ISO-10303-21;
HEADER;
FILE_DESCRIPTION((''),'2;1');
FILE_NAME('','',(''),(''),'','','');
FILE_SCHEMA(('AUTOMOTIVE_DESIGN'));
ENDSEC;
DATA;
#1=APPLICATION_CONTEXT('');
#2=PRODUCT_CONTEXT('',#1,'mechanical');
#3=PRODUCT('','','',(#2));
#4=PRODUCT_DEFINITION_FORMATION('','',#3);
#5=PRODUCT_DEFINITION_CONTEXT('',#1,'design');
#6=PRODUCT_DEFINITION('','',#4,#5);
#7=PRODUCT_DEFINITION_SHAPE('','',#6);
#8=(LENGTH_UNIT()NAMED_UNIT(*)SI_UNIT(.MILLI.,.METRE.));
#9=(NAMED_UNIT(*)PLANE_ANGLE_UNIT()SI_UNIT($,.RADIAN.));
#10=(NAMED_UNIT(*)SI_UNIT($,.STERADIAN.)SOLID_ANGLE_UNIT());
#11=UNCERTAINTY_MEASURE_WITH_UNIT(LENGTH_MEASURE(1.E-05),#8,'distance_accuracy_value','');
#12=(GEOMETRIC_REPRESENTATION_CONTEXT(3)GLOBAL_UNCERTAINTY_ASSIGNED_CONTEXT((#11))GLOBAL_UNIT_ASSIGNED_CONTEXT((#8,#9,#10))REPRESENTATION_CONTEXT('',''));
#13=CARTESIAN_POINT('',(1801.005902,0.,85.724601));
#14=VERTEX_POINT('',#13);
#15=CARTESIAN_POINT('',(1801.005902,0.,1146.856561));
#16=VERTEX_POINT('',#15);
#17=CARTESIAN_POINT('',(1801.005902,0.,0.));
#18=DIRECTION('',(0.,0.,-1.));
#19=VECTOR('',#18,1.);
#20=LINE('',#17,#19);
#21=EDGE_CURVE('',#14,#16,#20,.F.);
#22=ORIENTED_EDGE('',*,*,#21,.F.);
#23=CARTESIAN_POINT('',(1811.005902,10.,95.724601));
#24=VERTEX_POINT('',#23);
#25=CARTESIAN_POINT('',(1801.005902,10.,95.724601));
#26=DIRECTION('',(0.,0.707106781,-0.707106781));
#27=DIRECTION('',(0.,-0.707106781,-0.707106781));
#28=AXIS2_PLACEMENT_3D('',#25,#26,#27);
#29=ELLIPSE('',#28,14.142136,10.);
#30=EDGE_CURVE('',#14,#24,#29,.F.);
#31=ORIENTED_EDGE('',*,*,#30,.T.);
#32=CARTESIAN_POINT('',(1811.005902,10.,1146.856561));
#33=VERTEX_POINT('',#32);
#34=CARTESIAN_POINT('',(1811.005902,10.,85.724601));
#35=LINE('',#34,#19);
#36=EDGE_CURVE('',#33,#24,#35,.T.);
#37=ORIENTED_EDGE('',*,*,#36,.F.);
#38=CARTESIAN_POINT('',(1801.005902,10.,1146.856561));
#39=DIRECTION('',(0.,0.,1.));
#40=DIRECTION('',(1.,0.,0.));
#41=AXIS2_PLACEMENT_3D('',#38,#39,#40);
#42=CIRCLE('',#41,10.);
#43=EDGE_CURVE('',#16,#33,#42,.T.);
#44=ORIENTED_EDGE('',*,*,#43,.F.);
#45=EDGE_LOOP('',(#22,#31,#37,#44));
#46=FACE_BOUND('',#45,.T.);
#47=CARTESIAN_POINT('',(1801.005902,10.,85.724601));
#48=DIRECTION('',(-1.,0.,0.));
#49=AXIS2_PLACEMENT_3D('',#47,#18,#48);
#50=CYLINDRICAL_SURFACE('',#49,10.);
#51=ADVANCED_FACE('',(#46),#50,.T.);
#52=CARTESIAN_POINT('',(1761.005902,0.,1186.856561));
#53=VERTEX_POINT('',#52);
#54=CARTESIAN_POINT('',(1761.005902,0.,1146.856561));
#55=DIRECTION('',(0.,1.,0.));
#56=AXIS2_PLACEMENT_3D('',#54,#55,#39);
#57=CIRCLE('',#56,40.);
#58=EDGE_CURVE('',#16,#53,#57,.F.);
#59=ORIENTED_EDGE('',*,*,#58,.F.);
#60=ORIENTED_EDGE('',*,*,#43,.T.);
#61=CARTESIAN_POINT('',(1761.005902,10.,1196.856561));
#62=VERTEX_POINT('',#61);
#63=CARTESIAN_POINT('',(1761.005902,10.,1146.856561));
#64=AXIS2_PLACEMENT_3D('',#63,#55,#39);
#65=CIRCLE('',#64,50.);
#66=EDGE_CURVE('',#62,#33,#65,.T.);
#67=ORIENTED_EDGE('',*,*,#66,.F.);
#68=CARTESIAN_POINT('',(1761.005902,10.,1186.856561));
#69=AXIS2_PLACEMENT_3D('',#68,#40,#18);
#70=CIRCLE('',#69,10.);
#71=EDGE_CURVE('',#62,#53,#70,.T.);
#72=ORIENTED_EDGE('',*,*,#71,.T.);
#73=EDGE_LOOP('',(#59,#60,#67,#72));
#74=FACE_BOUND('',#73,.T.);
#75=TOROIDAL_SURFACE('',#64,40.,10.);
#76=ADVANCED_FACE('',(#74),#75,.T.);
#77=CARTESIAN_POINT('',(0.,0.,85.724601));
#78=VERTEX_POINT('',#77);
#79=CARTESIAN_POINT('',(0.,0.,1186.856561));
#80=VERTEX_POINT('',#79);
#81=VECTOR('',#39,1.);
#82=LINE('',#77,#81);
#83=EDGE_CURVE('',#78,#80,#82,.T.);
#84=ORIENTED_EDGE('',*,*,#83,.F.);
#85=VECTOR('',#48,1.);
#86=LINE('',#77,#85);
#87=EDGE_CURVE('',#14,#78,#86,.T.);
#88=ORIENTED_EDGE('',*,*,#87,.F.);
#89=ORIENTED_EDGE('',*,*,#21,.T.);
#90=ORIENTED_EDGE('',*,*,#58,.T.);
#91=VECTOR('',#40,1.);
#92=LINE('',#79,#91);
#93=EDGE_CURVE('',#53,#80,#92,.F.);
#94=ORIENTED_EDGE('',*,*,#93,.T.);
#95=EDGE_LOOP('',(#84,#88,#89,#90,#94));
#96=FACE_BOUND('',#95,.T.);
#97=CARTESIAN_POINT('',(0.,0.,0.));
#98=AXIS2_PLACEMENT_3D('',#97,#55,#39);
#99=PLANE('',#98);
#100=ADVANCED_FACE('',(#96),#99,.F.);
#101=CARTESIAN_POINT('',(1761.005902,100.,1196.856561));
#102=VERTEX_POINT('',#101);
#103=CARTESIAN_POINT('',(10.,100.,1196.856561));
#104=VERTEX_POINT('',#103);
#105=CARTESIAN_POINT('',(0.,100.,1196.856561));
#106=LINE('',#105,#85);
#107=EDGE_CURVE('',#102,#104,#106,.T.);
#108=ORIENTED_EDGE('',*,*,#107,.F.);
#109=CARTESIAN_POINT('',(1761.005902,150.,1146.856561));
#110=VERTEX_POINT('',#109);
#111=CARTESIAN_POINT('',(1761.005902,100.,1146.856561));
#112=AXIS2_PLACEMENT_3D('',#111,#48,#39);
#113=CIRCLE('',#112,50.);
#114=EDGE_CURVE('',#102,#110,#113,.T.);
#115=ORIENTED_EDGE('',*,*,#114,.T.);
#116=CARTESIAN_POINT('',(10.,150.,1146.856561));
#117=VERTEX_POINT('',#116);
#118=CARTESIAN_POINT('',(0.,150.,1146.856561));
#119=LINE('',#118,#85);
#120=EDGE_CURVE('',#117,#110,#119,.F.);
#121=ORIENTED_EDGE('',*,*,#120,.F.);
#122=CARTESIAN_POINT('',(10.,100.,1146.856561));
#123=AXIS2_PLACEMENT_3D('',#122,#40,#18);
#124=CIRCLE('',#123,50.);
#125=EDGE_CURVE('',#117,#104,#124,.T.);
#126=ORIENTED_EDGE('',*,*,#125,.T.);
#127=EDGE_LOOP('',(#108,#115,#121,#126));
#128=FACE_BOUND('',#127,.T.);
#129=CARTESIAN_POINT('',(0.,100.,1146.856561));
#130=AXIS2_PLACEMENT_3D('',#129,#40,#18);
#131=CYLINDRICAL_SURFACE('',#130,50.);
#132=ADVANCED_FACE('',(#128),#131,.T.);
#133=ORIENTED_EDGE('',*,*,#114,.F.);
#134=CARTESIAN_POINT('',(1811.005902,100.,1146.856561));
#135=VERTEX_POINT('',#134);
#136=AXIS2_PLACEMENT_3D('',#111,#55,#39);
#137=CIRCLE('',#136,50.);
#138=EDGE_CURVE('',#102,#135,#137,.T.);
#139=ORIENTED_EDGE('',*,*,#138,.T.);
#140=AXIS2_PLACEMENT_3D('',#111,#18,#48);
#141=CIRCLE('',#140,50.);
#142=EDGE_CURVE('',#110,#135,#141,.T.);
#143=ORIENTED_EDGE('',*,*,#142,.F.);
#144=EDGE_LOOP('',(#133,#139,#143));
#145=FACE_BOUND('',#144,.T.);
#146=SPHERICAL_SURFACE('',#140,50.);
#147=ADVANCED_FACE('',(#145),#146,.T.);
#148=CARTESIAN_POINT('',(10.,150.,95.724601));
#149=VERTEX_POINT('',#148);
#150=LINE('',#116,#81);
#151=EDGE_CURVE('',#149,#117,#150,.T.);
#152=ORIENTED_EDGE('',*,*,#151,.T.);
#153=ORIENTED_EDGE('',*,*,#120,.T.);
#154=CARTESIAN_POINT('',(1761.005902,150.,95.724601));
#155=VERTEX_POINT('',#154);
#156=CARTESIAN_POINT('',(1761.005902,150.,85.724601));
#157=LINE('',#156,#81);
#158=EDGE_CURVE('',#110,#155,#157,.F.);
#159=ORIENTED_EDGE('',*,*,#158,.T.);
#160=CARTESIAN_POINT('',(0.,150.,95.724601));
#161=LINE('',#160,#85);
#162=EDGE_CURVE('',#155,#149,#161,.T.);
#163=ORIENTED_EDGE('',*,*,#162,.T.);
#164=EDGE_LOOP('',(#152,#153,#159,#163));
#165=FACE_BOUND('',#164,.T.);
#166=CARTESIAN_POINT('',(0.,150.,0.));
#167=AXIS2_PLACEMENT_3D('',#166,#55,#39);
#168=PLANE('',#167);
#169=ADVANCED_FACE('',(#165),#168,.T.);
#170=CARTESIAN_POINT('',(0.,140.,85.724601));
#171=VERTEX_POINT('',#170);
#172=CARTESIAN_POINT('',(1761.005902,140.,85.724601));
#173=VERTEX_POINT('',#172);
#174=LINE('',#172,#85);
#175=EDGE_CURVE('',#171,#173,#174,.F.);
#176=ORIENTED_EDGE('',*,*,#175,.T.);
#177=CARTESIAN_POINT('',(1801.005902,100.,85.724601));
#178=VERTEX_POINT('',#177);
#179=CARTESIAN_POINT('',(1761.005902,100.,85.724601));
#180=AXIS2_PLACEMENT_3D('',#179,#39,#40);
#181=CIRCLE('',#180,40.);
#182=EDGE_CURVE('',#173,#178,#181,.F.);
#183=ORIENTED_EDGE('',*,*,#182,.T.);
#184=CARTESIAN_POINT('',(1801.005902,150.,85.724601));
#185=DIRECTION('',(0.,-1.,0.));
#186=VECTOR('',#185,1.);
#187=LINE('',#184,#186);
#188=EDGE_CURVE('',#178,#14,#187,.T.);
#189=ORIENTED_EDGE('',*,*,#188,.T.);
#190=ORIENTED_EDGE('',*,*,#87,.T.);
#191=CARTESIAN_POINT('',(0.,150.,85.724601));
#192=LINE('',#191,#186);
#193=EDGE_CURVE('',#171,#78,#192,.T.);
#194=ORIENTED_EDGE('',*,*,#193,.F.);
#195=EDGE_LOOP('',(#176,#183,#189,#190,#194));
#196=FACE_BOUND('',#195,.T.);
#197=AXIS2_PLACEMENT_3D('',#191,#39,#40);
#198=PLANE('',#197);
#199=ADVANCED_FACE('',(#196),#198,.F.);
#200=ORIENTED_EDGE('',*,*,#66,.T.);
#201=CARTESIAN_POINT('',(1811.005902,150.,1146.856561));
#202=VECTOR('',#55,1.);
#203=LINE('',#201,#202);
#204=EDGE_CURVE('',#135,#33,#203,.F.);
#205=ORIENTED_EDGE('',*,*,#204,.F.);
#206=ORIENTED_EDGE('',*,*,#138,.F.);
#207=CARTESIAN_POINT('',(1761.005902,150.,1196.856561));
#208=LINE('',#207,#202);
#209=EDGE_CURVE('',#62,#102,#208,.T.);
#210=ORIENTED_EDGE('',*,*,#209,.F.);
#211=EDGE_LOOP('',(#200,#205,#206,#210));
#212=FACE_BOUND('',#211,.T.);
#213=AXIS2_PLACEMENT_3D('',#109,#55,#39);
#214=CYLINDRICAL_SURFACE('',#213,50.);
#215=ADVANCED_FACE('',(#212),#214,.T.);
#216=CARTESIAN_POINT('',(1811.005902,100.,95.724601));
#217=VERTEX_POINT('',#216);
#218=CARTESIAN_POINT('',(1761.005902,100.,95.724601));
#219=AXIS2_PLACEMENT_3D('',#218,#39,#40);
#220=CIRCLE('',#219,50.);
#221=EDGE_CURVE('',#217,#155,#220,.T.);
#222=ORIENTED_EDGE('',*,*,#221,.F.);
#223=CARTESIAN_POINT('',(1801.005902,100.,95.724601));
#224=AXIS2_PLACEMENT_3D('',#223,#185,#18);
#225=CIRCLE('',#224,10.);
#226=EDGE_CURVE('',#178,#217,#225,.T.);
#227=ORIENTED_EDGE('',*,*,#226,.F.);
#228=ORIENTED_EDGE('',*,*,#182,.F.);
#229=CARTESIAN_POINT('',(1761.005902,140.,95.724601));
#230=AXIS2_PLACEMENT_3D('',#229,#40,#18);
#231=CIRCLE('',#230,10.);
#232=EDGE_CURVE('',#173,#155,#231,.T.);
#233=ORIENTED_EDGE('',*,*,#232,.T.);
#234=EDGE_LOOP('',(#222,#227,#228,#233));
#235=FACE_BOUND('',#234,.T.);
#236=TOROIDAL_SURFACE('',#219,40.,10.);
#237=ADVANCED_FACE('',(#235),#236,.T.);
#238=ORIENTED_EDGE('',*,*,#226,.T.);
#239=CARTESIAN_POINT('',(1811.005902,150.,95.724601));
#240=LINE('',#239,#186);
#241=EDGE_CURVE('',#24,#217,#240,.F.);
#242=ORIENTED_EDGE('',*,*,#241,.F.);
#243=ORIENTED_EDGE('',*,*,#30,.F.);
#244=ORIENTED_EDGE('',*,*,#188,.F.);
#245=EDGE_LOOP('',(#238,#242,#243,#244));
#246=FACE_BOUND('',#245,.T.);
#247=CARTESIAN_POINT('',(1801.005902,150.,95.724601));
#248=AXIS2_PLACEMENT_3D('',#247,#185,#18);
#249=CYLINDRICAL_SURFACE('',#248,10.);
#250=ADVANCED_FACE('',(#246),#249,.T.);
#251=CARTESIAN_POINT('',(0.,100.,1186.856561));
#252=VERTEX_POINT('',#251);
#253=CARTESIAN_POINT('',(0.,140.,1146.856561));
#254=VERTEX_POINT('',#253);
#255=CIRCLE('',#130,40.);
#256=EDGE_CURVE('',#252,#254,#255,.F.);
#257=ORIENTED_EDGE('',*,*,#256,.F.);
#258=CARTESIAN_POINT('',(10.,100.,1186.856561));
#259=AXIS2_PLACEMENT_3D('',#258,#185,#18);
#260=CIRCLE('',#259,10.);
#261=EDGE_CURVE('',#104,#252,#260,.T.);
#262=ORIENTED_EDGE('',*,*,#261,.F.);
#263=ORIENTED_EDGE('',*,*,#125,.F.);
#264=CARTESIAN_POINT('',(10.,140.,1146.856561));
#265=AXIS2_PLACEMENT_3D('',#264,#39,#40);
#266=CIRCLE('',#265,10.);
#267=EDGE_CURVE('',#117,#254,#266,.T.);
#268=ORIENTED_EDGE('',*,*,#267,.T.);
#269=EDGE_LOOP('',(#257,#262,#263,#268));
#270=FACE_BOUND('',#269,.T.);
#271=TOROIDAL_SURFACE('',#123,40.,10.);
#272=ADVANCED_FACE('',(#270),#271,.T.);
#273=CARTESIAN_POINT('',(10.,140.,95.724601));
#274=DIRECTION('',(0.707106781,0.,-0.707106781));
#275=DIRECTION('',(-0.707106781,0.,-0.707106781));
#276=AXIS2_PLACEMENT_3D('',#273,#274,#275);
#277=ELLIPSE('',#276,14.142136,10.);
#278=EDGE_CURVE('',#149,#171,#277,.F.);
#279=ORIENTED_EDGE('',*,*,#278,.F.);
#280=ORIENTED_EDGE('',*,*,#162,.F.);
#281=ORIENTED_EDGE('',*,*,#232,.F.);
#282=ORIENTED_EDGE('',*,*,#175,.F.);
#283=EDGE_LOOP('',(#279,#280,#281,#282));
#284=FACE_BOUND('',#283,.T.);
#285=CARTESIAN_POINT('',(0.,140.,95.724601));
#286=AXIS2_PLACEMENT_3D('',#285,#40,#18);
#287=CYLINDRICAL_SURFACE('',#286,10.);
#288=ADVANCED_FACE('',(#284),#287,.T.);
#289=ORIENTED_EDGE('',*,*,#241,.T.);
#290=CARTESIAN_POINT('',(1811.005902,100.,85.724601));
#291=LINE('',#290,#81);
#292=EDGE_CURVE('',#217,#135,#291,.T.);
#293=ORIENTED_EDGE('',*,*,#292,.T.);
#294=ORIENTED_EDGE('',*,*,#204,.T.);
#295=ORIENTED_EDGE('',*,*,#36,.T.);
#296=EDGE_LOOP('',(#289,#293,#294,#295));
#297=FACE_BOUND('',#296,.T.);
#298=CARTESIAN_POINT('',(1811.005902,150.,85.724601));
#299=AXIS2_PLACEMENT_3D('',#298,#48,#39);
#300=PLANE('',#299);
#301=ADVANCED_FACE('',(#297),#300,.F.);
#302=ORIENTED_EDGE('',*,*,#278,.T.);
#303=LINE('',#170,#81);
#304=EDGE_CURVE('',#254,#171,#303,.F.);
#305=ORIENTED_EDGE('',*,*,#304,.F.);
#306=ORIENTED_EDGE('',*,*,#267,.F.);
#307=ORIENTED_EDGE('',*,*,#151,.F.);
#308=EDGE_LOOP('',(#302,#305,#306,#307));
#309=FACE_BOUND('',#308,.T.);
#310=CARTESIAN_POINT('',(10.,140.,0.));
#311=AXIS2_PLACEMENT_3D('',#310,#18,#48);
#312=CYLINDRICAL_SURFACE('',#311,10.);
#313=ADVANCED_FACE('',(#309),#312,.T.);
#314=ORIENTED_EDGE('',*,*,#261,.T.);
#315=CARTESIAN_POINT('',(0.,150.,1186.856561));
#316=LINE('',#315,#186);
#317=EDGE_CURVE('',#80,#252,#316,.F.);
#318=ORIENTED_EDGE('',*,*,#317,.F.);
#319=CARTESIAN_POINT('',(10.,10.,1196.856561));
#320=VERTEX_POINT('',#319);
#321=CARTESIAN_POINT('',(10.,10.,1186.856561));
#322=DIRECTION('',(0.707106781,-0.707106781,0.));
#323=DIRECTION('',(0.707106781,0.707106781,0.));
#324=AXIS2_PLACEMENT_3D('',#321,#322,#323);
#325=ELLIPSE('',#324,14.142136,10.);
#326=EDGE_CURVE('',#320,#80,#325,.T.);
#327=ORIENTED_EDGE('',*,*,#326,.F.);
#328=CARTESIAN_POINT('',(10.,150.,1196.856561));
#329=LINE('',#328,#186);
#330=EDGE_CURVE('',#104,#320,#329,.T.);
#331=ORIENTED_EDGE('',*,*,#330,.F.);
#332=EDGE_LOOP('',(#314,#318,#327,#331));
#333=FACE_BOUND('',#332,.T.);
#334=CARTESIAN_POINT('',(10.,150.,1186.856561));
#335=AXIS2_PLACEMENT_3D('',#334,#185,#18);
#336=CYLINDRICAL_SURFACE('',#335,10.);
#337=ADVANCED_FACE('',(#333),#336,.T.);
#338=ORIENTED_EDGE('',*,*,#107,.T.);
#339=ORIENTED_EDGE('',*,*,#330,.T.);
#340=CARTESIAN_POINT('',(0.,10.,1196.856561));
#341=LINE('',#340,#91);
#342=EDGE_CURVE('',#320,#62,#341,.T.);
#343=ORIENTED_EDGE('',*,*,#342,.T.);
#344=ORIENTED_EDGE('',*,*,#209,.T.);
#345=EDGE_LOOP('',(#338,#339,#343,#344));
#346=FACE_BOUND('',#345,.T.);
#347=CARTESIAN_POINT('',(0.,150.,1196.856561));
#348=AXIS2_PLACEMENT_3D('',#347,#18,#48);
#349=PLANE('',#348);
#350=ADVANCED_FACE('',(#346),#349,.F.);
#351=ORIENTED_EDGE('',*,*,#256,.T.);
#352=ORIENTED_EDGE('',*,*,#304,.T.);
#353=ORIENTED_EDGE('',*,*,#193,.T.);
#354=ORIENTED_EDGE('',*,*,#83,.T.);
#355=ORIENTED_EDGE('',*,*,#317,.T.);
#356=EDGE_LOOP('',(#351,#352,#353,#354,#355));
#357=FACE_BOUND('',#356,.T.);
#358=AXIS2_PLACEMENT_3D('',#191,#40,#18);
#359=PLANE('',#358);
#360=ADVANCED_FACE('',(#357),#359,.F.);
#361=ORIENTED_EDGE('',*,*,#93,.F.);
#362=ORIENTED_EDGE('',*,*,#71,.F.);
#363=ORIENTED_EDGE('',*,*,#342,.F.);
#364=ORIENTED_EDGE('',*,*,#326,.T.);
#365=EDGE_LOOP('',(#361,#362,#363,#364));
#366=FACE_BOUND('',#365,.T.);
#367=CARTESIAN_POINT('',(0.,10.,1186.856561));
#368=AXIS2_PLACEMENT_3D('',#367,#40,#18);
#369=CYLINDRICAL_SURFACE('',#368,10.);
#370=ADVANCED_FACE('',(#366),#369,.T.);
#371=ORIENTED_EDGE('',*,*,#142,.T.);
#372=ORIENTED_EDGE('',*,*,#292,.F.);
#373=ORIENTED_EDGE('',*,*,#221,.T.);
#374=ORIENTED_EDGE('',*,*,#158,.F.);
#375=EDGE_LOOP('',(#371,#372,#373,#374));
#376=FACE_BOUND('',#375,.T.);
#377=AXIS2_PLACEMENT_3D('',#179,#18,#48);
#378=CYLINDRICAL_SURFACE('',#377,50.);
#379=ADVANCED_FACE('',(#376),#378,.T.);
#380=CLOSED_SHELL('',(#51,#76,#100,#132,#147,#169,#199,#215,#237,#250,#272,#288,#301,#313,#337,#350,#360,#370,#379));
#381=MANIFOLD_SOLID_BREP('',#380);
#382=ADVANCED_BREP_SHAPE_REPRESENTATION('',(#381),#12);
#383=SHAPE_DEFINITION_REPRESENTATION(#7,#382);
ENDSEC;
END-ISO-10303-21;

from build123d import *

# Parameters (mm, degrees)
SKETCH2_W           = 1811.005901602
SKETCH2_H           = 1111.13195988
BOSS_EXTRUDE1_DEPTH = 150
FILLET1_R           = 50
FILLET2_R           = 50
FILLET3_R           = 10


with BuildPart() as part:
    # Sketch2 → Boss-Extrude1 (new body)
    with BuildSketch(Plane(origin=(0, 0, 0), x_dir=(1, 0, 0), z_dir=(0, 1, 0))):
        with Locations((905.502950801, -641.290581232)):
            Rectangle(SKETCH2_W, SKETCH2_H)
    extrude(amount=BOSS_EXTRUDE1_DEPTH)

    # Fillet1
    fillet1_edges = [part.edges().sort_by_distance(p)[0] for p in [
        (1811.005901602, 150, 641.290581232),
    ]]
    fillet(fillet1_edges, radius=FILLET1_R)

    # Fillet2
    fillet2_edges = [part.edges().sort_by_distance(p)[0] for p in [
        (1811.005901602, 50, 1196.856561172),
        (1796.361240661, 135.355339059, 1196.856561172),
        (880.502950801, 150, 1196.856561172),
    ]]
    fillet(fillet2_edges, radius=FILLET2_R)

    # Fillet3
    fillet3_edges = [part.edges().sort_by_distance(p)[0] for p in [
        (1811.005901602, 50, 85.724601292),
        (880.502950801, 150, 85.724601292),
        (1796.361240661, 135.355339059, 85.724601292),
        (0, 50, 1196.856561172),
        (1811.005901602, 0, 616.290581232),
        (1796.361240661, 0, 1182.211900231),
        (0, 135.355339059, 1182.211900231),
        (0, 150, 616.290581232),
        (880.502950801, 0, 1196.856561172),
    ]]
    fillet(fillet3_edges, radius=FILLET3_R)


solid = part.part
